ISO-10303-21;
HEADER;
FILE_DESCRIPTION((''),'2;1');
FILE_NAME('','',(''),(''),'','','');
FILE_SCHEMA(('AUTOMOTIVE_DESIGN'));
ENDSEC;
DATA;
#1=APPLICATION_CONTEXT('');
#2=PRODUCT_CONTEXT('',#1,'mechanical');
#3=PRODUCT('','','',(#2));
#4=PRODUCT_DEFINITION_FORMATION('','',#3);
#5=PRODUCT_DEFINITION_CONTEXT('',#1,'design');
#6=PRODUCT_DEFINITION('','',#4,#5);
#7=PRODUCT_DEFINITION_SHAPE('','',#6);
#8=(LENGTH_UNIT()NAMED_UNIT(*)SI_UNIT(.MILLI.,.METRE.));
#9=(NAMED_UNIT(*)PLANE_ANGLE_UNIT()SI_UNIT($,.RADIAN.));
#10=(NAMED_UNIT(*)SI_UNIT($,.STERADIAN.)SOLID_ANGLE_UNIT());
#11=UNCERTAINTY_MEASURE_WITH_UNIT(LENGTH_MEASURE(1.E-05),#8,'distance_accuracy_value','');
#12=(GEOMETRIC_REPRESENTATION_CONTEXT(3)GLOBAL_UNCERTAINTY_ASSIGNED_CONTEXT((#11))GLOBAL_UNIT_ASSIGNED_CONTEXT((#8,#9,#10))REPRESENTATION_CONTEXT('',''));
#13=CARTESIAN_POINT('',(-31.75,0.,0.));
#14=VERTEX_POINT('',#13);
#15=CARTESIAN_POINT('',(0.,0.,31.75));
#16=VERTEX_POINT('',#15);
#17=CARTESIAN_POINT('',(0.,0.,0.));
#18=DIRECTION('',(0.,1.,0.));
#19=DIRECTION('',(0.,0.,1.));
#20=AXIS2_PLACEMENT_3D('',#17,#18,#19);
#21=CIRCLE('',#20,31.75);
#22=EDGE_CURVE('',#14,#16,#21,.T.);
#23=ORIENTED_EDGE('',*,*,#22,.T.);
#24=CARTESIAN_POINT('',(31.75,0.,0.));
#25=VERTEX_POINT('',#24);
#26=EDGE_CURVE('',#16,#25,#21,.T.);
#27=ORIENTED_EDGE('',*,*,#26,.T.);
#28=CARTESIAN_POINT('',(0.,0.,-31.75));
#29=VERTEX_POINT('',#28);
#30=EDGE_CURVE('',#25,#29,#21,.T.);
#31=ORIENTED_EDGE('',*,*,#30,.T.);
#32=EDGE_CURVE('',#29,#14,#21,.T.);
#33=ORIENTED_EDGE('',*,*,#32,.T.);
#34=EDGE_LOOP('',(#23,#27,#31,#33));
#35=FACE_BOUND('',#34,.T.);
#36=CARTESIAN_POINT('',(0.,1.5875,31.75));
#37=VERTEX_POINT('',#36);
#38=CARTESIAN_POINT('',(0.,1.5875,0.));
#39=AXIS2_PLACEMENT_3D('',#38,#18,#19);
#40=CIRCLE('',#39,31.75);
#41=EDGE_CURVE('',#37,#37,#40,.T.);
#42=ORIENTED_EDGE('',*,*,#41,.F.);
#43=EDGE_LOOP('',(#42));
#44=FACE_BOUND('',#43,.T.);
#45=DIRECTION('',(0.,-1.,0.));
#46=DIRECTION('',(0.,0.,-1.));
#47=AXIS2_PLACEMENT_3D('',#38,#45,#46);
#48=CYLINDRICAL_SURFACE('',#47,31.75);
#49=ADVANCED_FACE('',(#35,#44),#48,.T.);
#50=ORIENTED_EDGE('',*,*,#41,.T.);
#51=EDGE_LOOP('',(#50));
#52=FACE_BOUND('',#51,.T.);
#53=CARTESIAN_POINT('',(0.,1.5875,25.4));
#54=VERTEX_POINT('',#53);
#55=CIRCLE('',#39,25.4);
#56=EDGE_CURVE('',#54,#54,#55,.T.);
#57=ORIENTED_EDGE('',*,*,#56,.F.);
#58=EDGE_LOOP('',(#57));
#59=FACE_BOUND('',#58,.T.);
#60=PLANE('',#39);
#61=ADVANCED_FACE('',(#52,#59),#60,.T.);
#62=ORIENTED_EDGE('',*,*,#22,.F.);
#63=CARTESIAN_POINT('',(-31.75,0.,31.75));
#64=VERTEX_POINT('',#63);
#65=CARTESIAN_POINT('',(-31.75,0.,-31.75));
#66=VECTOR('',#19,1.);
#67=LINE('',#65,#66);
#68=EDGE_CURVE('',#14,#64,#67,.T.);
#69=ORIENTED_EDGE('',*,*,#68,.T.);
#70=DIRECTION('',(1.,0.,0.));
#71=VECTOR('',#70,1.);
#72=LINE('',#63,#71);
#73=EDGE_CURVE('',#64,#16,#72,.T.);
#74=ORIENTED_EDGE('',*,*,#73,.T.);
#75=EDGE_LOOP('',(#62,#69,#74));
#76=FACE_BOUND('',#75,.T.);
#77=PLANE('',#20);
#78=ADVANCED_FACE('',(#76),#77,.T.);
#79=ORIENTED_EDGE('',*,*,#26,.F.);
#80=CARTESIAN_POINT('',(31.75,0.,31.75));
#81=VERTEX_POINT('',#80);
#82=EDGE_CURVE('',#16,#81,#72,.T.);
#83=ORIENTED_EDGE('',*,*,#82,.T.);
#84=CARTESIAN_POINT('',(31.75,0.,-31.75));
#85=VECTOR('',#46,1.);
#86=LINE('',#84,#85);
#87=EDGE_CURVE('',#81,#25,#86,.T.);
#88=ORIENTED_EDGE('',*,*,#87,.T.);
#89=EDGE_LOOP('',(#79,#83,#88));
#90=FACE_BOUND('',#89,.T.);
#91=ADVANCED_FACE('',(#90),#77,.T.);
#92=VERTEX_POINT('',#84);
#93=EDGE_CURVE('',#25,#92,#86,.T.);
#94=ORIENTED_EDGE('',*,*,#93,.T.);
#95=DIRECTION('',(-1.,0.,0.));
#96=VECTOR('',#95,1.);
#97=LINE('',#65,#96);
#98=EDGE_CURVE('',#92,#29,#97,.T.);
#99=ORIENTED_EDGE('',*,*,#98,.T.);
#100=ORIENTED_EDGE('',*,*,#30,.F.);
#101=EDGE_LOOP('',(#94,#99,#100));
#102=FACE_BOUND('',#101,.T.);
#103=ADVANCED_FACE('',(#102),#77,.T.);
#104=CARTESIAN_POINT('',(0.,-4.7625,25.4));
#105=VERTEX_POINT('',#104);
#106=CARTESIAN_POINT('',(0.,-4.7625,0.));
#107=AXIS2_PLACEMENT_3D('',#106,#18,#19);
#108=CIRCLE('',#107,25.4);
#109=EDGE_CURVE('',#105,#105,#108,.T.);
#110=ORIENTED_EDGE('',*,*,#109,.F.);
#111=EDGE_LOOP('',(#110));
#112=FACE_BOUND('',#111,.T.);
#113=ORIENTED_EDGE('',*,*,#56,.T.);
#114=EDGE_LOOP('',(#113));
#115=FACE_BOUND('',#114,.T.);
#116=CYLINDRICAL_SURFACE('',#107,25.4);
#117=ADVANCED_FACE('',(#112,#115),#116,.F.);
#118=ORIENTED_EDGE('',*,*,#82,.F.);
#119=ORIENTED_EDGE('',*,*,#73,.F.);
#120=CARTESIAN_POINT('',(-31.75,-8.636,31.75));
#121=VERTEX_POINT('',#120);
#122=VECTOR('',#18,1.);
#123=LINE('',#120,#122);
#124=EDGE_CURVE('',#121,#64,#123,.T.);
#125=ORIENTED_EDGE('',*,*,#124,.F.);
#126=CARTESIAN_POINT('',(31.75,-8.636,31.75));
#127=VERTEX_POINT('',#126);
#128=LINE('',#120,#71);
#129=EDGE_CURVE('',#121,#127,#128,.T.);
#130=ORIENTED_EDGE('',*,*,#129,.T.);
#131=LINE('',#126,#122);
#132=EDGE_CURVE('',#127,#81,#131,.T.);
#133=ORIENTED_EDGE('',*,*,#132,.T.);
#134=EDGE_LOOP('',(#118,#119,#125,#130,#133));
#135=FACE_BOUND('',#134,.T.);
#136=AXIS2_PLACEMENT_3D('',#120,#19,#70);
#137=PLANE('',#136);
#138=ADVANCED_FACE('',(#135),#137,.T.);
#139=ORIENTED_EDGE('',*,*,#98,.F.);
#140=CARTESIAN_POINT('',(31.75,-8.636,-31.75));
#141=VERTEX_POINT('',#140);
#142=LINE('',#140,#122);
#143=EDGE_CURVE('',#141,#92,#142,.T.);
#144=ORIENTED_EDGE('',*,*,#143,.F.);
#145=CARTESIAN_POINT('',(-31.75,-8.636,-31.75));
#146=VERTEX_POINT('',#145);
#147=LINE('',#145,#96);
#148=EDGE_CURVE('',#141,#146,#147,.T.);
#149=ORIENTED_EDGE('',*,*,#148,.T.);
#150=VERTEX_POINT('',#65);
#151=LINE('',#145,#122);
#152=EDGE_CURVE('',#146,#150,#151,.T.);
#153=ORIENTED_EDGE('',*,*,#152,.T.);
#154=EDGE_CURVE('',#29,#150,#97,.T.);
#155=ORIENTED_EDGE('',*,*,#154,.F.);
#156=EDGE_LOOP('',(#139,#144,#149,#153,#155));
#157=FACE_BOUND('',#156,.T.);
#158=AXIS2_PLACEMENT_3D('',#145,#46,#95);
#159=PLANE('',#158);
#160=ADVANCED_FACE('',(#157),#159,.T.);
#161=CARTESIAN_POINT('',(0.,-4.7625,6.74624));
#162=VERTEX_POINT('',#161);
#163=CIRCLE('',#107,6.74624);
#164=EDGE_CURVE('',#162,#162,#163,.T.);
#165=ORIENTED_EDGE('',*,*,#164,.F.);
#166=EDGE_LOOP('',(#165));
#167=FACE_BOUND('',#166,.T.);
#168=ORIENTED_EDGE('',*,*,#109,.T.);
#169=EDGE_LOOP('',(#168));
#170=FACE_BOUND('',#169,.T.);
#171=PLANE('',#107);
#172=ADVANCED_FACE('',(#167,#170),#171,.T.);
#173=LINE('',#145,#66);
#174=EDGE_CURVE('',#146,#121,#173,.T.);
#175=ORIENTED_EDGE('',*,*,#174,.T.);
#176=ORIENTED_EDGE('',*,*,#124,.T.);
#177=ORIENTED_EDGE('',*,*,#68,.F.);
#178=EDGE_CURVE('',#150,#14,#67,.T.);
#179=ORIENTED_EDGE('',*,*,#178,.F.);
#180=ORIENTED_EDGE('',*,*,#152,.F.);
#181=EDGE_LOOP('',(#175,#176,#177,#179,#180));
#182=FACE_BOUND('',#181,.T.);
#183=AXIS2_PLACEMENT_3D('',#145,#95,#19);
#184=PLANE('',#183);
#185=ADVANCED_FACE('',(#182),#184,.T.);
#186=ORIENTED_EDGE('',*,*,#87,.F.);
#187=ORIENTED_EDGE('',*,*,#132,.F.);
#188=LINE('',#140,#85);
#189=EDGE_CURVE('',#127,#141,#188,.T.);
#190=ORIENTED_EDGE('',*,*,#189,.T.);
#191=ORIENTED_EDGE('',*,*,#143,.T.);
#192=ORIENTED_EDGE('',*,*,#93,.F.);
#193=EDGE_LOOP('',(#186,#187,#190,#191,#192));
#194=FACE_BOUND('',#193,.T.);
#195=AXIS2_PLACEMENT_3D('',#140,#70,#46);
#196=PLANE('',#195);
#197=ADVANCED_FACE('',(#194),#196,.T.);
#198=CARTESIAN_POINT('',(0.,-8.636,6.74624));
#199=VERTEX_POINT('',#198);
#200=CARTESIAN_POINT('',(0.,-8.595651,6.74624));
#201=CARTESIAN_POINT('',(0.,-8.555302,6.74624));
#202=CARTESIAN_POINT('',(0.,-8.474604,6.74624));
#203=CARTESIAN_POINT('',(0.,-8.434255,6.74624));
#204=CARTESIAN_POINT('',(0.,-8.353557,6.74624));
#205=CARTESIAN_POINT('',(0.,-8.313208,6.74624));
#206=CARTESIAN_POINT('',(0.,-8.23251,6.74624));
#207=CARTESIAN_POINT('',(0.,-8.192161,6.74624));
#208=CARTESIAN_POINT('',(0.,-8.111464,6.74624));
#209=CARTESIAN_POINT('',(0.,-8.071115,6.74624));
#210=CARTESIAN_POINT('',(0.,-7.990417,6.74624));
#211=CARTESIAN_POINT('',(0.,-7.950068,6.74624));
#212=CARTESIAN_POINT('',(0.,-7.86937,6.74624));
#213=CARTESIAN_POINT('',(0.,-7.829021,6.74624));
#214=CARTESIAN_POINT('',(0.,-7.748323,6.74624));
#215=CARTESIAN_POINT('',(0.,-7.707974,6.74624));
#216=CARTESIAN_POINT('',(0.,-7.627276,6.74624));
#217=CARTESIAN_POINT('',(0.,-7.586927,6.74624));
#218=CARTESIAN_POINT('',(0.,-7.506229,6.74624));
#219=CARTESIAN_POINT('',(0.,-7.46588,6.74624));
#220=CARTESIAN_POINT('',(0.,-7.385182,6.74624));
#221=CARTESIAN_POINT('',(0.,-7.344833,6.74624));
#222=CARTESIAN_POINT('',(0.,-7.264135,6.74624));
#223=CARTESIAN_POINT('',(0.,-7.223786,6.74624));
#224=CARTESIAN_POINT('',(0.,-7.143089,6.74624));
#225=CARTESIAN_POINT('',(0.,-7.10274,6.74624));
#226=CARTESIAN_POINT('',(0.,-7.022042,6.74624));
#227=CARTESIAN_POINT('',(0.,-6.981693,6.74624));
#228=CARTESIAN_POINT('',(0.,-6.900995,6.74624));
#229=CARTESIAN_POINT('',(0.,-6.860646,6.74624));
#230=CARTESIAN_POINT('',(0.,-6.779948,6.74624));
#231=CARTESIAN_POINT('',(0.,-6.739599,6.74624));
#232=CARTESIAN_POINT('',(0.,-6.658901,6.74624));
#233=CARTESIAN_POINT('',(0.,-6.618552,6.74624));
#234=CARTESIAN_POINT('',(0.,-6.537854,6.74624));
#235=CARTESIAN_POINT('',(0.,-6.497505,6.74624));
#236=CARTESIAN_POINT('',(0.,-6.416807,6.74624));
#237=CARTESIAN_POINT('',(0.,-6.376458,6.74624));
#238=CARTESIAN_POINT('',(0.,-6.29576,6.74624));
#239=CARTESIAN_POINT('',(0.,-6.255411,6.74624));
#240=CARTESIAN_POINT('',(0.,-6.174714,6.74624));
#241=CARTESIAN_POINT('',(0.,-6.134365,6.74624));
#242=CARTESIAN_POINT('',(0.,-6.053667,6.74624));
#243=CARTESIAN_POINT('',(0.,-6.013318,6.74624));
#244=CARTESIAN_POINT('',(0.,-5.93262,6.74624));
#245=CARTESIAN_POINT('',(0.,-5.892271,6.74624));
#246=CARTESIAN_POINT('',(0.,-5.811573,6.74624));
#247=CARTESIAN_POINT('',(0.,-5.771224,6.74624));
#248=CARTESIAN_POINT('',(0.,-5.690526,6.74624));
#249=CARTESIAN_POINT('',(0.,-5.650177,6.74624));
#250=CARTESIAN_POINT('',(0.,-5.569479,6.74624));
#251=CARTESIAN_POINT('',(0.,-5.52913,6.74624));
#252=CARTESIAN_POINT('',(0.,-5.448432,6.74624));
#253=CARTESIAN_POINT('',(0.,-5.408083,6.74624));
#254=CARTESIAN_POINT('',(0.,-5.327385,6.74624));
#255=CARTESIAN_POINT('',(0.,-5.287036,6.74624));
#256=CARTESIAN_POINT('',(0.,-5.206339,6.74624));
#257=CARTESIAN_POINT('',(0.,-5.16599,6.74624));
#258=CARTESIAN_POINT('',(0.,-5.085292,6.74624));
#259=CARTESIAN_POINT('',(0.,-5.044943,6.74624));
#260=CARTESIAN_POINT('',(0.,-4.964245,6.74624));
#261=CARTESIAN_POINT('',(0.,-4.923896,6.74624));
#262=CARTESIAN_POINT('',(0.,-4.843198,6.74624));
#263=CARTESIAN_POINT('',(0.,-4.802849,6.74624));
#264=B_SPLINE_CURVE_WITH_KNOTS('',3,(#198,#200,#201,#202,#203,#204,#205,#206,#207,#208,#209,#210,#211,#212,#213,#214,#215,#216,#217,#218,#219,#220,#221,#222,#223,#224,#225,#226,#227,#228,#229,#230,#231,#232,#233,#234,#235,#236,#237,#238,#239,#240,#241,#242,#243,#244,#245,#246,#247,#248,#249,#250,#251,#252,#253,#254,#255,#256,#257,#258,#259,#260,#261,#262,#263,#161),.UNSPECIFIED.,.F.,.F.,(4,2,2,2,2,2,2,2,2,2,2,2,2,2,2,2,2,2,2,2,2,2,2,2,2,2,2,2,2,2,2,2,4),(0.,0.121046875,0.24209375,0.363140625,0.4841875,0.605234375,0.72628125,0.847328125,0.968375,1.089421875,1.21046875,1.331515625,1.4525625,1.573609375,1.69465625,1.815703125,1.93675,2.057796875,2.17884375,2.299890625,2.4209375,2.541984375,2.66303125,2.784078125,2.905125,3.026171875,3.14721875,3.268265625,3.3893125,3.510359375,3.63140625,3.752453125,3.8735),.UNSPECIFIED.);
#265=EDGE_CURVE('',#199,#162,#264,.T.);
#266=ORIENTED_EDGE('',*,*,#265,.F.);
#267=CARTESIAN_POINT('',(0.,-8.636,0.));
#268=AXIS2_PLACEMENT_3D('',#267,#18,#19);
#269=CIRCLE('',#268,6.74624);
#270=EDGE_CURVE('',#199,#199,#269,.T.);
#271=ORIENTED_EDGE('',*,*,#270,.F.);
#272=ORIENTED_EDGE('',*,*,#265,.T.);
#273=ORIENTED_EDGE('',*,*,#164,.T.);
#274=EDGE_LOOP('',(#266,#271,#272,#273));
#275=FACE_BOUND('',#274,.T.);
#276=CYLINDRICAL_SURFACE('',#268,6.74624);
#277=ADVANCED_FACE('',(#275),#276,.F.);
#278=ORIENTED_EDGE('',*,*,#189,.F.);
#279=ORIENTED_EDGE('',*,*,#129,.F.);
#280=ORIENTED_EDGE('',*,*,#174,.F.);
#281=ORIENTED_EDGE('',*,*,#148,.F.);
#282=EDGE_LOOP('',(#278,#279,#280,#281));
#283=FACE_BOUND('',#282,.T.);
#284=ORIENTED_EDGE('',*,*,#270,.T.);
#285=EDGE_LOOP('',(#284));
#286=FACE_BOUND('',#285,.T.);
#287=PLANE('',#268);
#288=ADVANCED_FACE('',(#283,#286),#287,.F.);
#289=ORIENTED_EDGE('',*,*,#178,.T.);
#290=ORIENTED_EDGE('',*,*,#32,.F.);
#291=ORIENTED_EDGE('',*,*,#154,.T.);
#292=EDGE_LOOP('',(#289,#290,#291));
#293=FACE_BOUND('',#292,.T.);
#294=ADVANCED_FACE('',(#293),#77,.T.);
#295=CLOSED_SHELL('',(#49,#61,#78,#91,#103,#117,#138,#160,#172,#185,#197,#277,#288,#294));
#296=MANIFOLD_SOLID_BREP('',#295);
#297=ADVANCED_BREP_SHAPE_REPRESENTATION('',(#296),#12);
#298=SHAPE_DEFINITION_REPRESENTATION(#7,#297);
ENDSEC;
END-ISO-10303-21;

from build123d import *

# Parameters (mm, degrees)
SKETCH2_W           = 63.5
SKETCH2_H           = 63.5
BOSS_EXTRUDE1_DEPTH = 8.636
SKETCH3_R           = 31.75
BOSS_EXTRUDE2_DEPTH = 1.5875
SKETCH4_R           = 25.4
CUT_EXTRUDE1_DEPTH  = 6.35
SKETCH5_R           = 6.74624
CUT_EXTRUDE3_DEPTH  = 46.348070521


with BuildPart() as part:
    # Sketch2 → Boss-Extrude1 (new body)
    with BuildSketch(Plane(origin=(0, 0, 0), x_dir=(1, 0, 0), z_dir=(0, 1, 0))):
        Rectangle(SKETCH2_W, SKETCH2_H)
    extrude(amount=-BOSS_EXTRUDE1_DEPTH)

    # Sketch3 → Boss-Extrude2 (add)
    with BuildSketch(Plane(origin=(0, 0, 0), x_dir=(1, 0, 0), z_dir=(0, 1, 0))):
        with Locations(Location((0, 0, 0), (0, 0, 270))):
            Circle(SKETCH3_R)
    extrude(amount=BOSS_EXTRUDE2_DEPTH)

    # Sketch4 → Cut-Extrude1 (cut)
    with BuildSketch(Plane(origin=(0, 1.5875, 0), x_dir=(1, 0, 0), z_dir=(0, 1, 0))):
        with Locations(Location((0, 0, 0), (0, 0, 270))):
            Circle(SKETCH4_R)
    extrude(amount=-CUT_EXTRUDE1_DEPTH, mode=Mode.SUBTRACT)

    # Sketch5 → Cut-Extrude3 (cut, through all)
    with BuildSketch(Plane(origin=(0, -4.7625, 0), x_dir=(1, 0, 0), z_dir=(0, 1, 0))):
        with Locations(Location((0, 0, 0), (0, 0, 270))):
            Circle(SKETCH5_R)
    extrude(amount=-CUT_EXTRUDE3_DEPTH, mode=Mode.SUBTRACT)


solid = part.part
